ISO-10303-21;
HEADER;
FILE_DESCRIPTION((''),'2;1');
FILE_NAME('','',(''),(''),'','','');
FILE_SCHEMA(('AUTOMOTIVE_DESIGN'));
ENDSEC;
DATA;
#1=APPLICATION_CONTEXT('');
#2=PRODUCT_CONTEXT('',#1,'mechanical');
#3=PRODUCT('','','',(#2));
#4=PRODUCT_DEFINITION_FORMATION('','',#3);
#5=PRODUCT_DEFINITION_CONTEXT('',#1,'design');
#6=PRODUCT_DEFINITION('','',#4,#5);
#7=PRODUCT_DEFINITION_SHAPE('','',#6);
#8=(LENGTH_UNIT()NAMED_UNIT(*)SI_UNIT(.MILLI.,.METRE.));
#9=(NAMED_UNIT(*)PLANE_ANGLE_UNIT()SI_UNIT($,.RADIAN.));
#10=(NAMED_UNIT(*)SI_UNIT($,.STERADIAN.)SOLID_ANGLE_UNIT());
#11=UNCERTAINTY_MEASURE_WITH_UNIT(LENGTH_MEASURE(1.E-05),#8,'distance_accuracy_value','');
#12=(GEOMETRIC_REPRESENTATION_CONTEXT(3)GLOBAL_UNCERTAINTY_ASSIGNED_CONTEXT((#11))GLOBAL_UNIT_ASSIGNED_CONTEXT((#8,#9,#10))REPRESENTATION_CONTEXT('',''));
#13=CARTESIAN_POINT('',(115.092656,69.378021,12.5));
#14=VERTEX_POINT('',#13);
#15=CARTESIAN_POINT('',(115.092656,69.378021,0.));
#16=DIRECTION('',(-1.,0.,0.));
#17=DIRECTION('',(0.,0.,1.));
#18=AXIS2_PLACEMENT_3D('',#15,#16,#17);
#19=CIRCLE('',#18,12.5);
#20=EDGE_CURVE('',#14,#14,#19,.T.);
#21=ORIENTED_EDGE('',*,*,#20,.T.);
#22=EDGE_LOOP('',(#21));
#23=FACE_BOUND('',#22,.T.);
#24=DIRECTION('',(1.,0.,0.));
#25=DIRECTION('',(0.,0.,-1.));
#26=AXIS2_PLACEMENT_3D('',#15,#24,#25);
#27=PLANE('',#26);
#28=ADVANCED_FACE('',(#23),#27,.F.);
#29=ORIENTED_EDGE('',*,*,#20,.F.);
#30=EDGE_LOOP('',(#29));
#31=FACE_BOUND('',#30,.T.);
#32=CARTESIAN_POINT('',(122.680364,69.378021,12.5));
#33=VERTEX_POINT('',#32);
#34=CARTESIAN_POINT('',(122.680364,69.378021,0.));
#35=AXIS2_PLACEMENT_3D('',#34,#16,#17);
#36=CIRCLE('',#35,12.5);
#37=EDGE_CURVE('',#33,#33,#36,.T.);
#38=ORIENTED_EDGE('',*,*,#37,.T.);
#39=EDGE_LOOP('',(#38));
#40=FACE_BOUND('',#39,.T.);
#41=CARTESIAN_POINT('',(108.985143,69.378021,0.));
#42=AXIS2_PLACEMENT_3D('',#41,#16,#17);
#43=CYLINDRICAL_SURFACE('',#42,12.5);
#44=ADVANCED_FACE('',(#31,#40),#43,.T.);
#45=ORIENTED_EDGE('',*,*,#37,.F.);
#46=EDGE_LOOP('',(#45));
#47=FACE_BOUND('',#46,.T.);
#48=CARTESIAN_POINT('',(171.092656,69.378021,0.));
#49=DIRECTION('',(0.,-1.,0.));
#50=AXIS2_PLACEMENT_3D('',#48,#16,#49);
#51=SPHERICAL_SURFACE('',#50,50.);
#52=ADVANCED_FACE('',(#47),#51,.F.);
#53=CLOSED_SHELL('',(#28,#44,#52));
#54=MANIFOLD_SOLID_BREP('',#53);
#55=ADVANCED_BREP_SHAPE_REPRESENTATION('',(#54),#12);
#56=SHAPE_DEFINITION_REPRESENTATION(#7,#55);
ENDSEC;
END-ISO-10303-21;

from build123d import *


with BuildPart() as part:
    # 草图1 → 旋转1 (revolve)
    with BuildSketch(Plane.XY, mode=Mode.PRIVATE) as revolve_1_sk:
        with BuildLine():
            Line((115.092655535, 69.378021123), (115.092655535, 81.878021123))
            Line((115.092655535, 81.878021123), (122.680363714, 81.878021123))
            ThreePointArc((122.680363714, 81.878021123), (121.491170728, 75.678235748), (121.092655541, 69.378021123))
            Line((121.092655541, 69.378021123), (115.092655535, 69.378021123))
        make_face()
    revolve(revolve_1_sk.sketch.rotate(Axis((108.985143002, 69.378021123, 0), (1, 0, 0)), 180), axis=Axis((108.985143002, 69.378021123, 0), (1, 0, 0)))  # turned: the seam where the file's is


solid = part.part
